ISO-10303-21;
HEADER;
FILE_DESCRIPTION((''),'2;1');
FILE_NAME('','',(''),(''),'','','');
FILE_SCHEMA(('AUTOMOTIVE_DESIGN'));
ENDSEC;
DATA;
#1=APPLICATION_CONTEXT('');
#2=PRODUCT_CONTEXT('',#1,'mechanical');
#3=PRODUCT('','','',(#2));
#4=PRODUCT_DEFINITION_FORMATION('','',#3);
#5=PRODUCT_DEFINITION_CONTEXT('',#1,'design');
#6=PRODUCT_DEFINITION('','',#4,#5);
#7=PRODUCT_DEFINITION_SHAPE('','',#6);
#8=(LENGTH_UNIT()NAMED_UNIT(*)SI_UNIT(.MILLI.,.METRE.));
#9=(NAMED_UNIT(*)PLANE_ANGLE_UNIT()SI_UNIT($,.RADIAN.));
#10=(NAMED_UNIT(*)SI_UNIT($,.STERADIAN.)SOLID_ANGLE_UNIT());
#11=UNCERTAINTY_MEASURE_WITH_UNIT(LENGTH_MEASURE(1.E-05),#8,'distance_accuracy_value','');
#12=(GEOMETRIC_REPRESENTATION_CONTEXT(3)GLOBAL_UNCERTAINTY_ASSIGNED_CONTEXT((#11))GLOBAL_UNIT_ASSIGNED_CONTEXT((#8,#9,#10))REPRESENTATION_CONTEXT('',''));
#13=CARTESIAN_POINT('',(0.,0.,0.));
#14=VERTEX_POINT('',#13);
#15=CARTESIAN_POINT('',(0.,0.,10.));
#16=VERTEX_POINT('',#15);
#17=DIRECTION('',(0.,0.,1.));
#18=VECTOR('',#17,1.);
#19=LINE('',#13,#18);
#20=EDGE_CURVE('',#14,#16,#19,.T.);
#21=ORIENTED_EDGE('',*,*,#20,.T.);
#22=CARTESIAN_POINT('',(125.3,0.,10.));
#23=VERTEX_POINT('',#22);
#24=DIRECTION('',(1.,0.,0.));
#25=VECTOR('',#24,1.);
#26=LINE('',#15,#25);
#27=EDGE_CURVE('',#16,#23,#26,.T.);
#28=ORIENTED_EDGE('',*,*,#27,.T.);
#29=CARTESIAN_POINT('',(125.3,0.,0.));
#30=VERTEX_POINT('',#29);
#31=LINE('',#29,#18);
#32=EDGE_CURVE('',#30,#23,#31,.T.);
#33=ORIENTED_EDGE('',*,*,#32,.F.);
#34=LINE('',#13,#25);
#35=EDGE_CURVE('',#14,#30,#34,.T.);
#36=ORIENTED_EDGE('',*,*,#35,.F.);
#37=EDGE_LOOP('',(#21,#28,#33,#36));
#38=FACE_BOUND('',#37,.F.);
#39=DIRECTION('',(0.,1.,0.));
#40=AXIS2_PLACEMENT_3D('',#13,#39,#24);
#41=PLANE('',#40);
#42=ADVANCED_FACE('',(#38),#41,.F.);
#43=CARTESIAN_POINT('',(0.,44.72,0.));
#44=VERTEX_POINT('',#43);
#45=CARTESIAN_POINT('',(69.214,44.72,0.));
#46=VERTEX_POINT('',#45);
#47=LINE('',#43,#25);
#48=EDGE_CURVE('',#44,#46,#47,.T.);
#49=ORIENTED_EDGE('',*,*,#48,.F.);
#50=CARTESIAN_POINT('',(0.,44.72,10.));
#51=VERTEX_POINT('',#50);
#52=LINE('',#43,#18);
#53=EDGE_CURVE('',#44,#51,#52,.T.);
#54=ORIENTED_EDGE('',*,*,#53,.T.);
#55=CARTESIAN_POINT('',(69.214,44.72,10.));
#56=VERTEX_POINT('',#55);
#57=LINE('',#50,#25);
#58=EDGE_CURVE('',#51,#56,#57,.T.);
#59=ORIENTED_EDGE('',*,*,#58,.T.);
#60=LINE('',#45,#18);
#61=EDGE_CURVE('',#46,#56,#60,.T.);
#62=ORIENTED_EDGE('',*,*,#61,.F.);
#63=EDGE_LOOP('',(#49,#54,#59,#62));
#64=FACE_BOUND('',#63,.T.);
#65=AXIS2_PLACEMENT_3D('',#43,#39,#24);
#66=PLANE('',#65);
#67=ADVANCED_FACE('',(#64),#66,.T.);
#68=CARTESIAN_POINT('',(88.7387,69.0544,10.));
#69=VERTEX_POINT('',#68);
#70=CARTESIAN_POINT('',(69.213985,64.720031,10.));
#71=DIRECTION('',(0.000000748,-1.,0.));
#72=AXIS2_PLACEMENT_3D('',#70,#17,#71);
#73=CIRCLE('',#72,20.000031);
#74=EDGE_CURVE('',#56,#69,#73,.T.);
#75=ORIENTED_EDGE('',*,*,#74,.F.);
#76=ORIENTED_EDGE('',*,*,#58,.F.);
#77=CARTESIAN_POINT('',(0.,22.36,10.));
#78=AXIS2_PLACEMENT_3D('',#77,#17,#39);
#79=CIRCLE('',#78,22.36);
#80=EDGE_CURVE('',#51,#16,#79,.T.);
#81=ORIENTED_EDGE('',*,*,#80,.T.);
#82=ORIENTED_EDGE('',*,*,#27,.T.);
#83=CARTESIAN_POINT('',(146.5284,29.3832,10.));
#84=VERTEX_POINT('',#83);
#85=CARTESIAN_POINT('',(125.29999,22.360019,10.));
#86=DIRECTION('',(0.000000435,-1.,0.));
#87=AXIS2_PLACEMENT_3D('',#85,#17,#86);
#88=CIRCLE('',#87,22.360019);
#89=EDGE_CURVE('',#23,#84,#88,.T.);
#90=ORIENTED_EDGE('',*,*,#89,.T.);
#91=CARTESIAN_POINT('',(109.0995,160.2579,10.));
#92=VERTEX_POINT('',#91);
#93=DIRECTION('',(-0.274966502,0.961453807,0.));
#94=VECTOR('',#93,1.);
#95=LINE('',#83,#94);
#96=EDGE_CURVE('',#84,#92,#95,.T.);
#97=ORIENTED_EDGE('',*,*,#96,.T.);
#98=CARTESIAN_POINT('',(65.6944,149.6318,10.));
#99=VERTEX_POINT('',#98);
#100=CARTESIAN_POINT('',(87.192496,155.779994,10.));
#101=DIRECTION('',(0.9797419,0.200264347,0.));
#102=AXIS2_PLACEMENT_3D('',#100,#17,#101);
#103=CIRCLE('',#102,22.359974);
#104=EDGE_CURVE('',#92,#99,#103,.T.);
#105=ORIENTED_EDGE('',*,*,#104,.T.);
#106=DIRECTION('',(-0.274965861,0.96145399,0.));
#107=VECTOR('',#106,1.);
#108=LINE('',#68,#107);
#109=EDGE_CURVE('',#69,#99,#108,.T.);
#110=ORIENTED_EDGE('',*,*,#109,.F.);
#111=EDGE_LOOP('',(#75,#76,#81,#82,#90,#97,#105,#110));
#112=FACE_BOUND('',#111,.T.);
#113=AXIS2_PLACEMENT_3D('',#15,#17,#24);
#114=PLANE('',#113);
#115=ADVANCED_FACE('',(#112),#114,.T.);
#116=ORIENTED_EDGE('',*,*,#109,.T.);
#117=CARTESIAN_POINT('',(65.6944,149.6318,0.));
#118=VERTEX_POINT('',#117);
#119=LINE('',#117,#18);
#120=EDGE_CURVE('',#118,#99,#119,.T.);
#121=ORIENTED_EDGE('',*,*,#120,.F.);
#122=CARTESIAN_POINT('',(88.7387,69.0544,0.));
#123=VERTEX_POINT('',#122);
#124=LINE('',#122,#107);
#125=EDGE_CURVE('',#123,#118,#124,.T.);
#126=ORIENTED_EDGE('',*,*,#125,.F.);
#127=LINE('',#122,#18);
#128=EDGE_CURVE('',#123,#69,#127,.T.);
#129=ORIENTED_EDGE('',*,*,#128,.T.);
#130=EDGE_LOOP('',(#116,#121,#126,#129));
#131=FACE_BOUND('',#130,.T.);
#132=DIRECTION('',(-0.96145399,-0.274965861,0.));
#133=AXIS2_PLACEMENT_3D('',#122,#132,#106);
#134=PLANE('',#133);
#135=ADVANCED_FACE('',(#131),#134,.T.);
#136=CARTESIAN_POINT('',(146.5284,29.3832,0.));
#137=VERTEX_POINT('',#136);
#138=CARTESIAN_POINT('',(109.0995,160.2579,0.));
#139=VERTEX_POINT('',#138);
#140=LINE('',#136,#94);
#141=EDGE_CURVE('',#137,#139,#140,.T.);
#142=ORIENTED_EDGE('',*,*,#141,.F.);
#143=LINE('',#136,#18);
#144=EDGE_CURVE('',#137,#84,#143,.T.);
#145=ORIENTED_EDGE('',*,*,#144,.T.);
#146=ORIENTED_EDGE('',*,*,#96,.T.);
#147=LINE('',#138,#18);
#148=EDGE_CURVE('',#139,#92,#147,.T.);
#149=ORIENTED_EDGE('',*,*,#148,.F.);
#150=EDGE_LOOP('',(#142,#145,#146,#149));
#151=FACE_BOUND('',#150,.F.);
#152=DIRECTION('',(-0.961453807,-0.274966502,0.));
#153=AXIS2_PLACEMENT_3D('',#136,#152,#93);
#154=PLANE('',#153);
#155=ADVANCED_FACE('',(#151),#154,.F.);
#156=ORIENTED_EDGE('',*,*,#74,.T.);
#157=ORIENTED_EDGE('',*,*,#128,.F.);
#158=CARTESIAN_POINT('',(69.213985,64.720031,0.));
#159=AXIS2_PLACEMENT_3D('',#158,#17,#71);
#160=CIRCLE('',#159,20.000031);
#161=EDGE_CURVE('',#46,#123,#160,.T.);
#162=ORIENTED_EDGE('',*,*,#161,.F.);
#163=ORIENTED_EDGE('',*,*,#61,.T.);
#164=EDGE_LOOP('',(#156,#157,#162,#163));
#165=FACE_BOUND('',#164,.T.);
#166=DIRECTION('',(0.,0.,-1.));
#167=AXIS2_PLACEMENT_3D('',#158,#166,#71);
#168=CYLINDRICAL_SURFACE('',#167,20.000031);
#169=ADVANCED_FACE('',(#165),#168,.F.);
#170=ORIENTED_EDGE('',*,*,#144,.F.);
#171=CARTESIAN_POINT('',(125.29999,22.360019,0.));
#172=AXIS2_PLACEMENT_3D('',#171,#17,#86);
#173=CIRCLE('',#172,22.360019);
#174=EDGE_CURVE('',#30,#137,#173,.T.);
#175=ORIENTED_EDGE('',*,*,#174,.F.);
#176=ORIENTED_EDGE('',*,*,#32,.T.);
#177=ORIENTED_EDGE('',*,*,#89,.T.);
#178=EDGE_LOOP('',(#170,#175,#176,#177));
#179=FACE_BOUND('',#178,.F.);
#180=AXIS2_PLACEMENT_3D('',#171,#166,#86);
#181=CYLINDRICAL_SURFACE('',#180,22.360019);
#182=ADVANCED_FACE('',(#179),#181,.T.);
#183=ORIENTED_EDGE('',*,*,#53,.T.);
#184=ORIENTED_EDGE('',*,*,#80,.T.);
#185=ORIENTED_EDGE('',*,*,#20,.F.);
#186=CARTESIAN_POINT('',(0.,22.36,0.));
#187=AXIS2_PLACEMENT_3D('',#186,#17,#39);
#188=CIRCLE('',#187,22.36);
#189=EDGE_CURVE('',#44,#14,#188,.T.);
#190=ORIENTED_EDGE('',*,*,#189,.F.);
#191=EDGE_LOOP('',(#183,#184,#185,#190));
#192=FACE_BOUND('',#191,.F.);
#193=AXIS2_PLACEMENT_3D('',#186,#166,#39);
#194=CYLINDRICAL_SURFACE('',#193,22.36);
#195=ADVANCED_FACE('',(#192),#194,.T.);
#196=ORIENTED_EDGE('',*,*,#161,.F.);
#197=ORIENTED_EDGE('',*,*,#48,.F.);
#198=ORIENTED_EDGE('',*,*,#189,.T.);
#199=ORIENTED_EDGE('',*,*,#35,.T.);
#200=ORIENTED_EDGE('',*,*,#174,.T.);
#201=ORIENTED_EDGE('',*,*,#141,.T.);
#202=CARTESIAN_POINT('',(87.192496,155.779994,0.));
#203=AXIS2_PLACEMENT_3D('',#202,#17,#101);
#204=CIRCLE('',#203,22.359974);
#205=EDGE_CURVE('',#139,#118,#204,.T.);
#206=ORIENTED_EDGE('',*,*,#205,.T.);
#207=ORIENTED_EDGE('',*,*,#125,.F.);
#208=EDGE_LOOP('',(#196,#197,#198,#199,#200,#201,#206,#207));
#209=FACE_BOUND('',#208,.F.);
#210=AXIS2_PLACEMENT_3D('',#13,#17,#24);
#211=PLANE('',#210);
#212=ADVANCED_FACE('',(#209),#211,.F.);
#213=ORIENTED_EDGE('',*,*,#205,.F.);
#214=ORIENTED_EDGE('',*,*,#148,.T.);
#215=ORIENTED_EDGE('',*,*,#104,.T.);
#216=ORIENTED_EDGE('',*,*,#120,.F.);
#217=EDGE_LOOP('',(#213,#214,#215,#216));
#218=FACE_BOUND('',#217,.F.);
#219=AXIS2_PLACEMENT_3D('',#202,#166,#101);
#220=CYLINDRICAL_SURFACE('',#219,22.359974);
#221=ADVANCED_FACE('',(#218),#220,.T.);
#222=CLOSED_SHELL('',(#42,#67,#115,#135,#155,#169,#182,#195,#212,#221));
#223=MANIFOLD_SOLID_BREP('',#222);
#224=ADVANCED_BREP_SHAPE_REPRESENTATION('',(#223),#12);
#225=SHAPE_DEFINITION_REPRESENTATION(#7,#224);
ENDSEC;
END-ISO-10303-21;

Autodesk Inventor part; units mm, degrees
ref_plane "YZ Plane" through (0, 0, 0) normal (1, 0, 0) x (0, 1, 0)
ref_plane "XZ Plane" through (0, 0, 0) normal (0, 1, 0) x (-1, 0, 0)
ref_plane "XY Plane" through (0, 0, 0) normal (0, 0, 1) x (1, 0, 0)
sketch "Sketch1" plane through (0, 0, 0) normal (0, 0, 1) x (1, 0, 0)
  line L0 (0, 0) -> (125.3, 0)
  line L1 (125.3, 0) -> (0, 0)
  arc A0 (0, 44.72) -> (0, 0) centre (0, 22.36) ccw
  line L2 (0, 44.72) -> (69.214, 44.72)
  arc A1 (69.214, 44.72) -> (88.7387, 69.0544) centre (69.214, 64.72) ccw
  line L3 (88.7387, 69.0544) -> (65.6944, 149.6318)
  arc A2 (109.0995, 160.2579) -> (65.6944, 149.6318) centre (87.1925, 155.78) ccw
  arc A3 (125.3, 0) -> (146.5284, 29.3832) centre (125.3, 22.36) ccw
  line L4 (146.5284, 29.3832) -> (109.0995, 160.2579)
  dimension "d0" = 125.3
  dimension "d1" = 22.36
  dimension "d2" = 20
  dimension "d3" = 74.04
  dimension "d4" = 22.36
  dimension "d5" = 22.36
  dimension "d7" = 133.42
extrude "Extrusion1" add sketch "Sketch1" along normal blind 10
properties part number "rocker"
